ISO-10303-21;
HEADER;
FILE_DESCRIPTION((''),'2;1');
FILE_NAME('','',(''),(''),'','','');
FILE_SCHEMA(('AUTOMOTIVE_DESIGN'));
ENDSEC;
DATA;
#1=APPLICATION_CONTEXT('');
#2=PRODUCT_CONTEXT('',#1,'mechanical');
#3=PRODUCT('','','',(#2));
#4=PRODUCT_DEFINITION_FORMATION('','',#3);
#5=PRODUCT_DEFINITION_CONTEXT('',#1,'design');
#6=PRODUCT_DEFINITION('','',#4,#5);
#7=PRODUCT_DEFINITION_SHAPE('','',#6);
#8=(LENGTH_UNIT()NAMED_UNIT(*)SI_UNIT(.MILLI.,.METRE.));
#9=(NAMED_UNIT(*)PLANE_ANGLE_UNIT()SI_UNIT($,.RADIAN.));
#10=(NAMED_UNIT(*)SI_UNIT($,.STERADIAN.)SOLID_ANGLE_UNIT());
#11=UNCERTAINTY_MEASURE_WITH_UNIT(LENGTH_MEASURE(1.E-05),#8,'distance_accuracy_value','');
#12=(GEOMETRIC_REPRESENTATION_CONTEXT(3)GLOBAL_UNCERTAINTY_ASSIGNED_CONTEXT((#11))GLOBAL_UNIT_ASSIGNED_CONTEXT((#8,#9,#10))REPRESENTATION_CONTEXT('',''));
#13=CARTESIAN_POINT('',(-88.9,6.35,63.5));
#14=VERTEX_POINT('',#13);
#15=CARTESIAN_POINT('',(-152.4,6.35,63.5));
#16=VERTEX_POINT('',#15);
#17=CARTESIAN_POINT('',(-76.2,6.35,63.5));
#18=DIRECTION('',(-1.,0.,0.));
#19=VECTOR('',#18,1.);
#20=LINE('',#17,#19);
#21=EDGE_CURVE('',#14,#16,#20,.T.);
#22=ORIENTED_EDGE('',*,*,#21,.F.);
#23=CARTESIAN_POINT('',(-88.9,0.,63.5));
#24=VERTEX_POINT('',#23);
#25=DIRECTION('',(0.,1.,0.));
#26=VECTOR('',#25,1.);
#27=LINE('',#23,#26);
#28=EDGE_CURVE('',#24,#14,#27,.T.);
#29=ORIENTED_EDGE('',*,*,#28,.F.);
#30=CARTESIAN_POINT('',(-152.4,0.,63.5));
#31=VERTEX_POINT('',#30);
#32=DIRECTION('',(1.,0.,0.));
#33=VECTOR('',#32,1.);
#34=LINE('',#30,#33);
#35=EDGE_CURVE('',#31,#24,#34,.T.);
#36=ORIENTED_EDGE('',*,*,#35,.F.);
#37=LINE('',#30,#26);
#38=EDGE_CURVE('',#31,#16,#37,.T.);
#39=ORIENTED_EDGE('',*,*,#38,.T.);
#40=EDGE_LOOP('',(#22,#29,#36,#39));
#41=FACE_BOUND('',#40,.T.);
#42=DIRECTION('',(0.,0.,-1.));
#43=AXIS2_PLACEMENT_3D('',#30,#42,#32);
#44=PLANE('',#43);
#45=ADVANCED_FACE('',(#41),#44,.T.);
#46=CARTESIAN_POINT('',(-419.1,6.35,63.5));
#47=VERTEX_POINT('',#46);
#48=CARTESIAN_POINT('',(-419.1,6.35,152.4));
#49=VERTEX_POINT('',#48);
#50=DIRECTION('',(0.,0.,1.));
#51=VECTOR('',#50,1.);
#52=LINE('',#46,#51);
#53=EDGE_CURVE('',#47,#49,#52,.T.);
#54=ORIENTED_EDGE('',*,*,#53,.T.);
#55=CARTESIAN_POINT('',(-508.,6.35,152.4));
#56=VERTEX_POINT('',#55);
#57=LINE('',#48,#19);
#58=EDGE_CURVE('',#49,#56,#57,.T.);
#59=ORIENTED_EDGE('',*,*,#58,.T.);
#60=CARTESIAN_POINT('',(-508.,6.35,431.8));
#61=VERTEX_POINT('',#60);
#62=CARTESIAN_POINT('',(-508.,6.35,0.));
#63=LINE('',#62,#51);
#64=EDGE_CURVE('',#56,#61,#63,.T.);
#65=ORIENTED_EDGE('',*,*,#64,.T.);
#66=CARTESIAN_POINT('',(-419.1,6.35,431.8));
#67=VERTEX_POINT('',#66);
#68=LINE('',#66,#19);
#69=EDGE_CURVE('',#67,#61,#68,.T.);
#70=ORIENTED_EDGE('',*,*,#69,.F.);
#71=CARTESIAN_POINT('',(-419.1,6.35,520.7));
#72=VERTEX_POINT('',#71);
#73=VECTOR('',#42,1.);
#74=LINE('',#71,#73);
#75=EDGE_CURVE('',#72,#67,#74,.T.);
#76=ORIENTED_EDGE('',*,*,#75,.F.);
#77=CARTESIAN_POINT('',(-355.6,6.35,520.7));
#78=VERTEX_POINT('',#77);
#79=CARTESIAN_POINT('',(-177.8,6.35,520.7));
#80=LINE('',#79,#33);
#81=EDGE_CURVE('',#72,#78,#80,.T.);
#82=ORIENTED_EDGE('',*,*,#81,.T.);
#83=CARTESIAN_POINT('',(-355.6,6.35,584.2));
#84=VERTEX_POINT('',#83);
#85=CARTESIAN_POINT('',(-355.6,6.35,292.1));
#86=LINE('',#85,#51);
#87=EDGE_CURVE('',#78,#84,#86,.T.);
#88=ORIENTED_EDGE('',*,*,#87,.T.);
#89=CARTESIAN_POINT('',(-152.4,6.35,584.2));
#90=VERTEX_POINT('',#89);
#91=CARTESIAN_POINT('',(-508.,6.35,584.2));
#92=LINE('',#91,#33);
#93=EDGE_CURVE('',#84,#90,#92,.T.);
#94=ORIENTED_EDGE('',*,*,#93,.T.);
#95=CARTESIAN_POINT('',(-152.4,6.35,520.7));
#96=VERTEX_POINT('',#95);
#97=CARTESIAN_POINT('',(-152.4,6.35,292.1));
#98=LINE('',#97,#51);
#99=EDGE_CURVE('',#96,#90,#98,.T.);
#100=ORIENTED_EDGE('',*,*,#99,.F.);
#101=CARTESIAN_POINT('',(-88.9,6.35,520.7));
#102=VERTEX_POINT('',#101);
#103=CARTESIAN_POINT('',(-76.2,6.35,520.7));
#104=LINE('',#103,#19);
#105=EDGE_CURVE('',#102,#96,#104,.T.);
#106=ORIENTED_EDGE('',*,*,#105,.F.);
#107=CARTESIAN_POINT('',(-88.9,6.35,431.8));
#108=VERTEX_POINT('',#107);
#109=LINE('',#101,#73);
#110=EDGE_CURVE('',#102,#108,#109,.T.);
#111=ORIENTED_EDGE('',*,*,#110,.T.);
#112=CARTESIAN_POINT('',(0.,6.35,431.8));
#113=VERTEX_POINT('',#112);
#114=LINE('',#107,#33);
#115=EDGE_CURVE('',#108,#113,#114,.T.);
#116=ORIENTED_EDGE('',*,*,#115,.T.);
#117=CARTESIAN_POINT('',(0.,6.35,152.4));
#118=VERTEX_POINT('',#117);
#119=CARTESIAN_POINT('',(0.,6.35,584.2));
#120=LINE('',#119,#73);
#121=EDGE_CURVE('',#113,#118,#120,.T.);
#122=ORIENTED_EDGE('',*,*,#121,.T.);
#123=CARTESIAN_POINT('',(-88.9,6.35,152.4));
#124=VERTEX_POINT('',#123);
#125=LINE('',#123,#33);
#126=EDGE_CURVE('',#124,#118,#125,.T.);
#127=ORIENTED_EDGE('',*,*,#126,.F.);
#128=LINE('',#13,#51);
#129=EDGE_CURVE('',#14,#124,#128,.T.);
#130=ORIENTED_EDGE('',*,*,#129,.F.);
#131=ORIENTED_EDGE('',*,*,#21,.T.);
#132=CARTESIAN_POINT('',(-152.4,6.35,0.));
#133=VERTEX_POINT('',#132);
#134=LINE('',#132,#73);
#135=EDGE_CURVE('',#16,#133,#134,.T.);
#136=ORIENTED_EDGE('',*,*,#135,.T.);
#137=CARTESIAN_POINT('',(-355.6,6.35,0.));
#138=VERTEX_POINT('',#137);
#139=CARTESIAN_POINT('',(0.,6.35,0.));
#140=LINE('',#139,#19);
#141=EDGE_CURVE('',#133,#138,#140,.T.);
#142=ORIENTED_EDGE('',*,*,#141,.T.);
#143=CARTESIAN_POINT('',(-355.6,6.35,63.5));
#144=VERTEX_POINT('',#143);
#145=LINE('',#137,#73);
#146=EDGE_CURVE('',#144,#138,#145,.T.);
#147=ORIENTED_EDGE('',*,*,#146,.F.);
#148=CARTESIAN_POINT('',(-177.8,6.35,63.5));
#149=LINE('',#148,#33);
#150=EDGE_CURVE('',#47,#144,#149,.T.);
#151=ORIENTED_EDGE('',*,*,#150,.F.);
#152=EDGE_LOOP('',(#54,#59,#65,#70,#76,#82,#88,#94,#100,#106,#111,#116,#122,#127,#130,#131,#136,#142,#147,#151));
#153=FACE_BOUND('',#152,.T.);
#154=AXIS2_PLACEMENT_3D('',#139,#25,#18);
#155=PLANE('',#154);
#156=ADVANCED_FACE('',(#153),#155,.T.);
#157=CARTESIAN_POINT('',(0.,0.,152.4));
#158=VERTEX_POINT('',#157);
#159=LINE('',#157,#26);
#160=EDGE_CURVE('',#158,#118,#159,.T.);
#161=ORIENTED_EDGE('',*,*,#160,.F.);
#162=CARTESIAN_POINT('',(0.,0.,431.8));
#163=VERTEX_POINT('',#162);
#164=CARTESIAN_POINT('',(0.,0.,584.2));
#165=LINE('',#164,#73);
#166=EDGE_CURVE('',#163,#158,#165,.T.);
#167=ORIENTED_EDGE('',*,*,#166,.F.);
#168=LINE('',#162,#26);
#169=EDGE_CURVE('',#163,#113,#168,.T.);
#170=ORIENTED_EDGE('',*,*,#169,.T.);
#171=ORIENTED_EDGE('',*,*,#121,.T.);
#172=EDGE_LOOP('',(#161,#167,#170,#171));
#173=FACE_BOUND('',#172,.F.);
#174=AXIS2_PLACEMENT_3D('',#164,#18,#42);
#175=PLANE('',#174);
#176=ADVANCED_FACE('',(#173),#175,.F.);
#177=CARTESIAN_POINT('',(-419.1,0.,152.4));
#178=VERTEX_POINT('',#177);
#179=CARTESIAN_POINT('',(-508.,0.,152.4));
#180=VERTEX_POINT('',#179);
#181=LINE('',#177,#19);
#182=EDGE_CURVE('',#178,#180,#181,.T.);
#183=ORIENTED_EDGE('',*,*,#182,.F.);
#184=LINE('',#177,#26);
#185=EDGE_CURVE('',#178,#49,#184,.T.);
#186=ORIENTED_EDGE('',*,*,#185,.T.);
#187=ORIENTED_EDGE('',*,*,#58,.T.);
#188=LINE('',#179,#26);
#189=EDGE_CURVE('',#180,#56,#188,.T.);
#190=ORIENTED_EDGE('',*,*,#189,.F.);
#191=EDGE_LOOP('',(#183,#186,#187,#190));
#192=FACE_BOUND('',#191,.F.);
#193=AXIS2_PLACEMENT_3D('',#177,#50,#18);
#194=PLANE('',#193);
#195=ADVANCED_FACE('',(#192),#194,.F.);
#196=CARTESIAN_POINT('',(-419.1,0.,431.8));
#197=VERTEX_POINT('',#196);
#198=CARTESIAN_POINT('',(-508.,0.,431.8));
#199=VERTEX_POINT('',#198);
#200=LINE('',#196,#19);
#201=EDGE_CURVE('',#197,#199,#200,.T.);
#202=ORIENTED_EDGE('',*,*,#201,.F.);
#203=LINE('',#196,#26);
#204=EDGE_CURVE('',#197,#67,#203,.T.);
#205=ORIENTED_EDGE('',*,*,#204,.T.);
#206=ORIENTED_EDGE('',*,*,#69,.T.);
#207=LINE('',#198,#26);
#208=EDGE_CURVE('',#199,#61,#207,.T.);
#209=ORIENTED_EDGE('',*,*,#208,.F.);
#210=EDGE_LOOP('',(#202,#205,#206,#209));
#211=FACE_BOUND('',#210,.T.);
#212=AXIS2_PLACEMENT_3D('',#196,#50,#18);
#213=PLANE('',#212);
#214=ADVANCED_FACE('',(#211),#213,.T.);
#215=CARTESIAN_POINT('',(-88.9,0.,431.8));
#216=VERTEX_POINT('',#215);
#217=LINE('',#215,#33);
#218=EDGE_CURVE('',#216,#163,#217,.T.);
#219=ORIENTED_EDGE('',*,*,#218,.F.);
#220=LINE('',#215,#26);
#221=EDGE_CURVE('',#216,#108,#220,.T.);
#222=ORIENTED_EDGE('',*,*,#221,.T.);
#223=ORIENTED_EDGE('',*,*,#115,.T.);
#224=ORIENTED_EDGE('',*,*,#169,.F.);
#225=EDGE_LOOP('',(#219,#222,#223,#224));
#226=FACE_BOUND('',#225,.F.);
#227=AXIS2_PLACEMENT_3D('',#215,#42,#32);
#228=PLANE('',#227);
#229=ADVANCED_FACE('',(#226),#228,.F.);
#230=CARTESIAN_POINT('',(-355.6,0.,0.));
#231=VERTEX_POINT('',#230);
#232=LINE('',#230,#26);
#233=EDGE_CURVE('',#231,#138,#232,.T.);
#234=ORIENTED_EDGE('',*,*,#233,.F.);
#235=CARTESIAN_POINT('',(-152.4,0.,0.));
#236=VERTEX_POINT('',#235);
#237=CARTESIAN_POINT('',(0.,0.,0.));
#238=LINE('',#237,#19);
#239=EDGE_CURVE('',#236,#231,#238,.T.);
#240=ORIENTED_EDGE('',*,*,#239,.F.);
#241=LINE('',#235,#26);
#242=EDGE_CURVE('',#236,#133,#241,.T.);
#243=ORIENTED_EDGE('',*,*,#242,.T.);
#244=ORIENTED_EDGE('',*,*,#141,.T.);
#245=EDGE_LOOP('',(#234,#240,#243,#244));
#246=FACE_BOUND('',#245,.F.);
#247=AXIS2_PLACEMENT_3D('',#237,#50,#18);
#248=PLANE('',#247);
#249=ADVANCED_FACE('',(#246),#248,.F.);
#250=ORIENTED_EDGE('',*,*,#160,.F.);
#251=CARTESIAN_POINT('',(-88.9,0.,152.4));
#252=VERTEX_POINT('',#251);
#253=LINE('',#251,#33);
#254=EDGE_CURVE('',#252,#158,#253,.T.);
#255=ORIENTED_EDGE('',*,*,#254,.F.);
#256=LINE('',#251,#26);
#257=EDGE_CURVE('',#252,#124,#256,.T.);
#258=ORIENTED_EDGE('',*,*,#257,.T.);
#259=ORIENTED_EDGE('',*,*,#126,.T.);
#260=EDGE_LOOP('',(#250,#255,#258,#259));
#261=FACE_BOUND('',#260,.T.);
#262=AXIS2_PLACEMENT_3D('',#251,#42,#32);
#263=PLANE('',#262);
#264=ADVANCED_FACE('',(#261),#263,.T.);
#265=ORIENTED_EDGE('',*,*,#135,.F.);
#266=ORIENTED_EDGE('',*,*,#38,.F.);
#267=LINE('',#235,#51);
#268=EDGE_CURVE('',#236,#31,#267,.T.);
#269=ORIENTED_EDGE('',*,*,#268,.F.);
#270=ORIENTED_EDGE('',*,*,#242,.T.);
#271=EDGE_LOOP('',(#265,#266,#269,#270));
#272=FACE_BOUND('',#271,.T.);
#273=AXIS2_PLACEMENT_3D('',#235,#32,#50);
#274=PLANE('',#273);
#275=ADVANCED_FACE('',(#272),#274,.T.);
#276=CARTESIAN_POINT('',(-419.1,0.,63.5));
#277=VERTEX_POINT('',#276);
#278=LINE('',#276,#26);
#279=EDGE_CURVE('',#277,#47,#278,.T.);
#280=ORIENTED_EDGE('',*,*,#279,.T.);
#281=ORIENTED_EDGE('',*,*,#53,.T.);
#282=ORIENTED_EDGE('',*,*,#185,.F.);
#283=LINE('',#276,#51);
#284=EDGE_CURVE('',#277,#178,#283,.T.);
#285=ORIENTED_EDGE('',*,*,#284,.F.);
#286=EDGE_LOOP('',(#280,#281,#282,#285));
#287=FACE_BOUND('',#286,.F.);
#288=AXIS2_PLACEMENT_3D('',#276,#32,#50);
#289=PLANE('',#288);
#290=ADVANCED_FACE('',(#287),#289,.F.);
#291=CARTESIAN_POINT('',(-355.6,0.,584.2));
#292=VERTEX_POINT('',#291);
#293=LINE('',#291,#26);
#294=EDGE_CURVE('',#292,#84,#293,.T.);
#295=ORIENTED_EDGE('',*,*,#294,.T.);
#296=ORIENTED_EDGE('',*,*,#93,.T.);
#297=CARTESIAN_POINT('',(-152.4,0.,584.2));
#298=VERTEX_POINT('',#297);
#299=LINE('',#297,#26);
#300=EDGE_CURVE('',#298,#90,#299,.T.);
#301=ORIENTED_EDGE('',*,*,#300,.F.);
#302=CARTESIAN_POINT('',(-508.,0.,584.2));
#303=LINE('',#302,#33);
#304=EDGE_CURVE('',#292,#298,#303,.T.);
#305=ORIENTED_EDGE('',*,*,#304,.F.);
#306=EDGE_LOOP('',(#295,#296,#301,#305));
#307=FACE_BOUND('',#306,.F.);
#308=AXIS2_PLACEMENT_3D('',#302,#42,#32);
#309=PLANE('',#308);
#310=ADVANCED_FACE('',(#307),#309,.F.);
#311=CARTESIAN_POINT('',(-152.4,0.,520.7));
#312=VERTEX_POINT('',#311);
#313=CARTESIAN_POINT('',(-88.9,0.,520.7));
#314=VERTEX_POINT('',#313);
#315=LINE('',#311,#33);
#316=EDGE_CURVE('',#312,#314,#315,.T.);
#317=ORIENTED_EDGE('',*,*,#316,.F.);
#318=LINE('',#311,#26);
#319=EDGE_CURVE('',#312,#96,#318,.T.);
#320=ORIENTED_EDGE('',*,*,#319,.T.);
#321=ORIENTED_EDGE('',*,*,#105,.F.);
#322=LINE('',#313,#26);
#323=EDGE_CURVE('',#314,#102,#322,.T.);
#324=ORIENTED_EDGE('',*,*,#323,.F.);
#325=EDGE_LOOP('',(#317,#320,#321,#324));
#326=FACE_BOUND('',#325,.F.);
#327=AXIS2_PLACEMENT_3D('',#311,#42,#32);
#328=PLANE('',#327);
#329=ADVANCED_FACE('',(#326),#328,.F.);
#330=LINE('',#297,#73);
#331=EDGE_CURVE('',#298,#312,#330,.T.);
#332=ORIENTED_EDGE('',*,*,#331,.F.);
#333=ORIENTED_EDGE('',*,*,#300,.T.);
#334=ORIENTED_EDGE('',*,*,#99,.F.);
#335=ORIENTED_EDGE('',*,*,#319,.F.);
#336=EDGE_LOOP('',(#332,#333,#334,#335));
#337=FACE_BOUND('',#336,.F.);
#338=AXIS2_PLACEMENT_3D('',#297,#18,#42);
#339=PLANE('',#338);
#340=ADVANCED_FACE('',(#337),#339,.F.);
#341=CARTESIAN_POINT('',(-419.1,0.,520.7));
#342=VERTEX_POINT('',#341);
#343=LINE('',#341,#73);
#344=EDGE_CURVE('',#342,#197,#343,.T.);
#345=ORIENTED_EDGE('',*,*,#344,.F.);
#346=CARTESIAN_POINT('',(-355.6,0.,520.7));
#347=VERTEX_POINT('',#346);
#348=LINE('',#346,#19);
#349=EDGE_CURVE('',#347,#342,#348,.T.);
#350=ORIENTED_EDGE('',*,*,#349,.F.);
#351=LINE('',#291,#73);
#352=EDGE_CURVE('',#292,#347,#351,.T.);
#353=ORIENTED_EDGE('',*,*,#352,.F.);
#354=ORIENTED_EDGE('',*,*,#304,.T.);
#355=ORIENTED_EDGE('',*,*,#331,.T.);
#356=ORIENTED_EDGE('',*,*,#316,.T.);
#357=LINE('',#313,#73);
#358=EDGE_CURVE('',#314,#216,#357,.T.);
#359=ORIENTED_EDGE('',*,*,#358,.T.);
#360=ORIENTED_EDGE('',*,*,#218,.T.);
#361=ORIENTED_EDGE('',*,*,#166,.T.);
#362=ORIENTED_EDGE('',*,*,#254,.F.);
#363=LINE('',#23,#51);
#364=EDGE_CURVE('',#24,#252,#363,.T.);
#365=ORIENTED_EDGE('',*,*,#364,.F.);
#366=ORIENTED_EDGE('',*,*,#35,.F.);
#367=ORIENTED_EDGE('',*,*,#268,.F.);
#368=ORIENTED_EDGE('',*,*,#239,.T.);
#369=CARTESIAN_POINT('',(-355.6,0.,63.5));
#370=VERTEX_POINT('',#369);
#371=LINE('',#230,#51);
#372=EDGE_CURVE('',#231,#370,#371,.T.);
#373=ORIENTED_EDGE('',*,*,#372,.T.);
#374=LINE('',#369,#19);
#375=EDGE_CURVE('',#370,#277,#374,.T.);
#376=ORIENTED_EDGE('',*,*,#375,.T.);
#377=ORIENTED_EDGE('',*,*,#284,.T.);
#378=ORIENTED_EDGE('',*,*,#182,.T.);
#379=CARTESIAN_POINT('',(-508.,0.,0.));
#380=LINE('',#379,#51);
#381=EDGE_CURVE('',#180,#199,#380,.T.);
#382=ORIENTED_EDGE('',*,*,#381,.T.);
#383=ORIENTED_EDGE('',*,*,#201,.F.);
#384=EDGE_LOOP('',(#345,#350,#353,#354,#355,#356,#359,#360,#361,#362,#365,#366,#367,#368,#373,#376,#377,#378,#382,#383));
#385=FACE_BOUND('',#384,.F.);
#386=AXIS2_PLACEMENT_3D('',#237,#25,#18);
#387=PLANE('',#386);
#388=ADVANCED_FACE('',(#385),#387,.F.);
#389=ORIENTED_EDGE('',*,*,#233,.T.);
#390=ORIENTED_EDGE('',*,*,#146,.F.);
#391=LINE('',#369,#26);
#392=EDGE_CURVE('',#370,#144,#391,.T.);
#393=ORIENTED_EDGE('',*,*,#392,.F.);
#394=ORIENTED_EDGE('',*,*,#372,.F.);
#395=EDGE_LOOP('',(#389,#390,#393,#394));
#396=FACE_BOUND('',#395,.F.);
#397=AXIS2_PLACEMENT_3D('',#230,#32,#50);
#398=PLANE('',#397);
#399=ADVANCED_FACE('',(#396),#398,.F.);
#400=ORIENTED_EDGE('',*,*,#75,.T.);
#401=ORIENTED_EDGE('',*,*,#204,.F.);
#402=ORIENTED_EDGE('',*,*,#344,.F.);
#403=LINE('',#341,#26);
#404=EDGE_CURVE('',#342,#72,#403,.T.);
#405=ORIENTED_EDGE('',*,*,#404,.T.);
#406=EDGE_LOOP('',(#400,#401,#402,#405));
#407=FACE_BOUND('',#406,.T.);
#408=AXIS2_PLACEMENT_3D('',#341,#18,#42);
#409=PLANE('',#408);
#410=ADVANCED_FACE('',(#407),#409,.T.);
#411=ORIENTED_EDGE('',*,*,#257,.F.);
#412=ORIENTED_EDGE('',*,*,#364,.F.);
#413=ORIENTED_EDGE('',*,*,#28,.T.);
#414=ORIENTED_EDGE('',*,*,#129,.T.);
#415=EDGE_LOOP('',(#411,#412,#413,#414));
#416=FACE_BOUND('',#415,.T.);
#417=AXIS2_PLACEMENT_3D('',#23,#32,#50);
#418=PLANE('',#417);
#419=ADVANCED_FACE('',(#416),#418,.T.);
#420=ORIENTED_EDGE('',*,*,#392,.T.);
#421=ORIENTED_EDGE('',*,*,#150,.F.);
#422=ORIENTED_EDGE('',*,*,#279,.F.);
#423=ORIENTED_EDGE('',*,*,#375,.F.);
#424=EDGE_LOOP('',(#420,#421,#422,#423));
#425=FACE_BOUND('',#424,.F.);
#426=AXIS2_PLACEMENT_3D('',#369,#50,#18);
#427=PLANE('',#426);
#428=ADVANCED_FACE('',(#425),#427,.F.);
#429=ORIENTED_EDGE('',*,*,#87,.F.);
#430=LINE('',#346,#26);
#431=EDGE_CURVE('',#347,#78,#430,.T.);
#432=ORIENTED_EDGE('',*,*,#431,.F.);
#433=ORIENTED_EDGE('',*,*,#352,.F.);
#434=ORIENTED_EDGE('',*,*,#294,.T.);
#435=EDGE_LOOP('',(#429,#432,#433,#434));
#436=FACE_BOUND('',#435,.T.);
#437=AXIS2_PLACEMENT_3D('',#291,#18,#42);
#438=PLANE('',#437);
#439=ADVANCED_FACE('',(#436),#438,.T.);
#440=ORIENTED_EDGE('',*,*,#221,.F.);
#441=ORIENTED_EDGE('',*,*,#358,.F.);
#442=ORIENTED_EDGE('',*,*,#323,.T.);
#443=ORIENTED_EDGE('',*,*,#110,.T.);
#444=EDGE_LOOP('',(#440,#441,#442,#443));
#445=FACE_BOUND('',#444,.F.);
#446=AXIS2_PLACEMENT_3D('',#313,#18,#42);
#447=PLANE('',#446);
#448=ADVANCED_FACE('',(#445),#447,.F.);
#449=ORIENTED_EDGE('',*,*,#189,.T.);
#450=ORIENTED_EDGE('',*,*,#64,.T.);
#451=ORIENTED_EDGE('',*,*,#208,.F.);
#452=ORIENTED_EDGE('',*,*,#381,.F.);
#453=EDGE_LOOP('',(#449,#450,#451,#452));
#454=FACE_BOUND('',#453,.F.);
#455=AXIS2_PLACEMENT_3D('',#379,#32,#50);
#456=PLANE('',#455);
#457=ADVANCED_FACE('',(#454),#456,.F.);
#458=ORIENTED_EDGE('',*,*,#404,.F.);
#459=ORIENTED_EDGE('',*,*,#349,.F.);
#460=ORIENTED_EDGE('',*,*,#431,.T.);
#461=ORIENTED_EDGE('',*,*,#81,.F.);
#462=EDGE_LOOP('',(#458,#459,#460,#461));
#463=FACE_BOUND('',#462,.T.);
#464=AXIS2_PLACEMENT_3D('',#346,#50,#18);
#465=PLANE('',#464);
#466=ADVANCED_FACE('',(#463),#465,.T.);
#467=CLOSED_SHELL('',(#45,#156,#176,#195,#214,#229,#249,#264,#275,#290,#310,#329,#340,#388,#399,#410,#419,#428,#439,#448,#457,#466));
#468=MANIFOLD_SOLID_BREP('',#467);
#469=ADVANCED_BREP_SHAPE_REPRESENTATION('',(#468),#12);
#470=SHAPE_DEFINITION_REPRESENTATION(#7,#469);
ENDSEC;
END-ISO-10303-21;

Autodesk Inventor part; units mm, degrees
ref_plane "YZ Plane" through (0, 0, 0) normal (1, 0, 0) x (0, 1, 0)
ref_plane "XZ Plane" through (0, 0, 0) normal (0, 1, 0) x (-1, 0, 0)
ref_plane "XY Plane" through (0, 0, 0) normal (0, 0, 1) x (1, 0, 0)
sketch "Sketch1" plane through (0, 0, 0) normal (0, 1, 0) x (-1, 0, 0)
  line L0 (0, 0) -> (508, 0)
  line L1 (508, 0) -> (508, 584.2)
  line L2 (508, 584.2) -> (0, 584.2)
  line L3 (0, 584.2) -> (0, 0)
  dimension "d0" = 508
  dimension "d1" = 584.2
extrude "Extrusion1" add sketch "Sketch1" along normal blind 6.35
sketch "Sketch2" plane through (0, 0, 0) normal (0, -1, 0) x (1, 0, 0)
  line L0 (-508, 584.2) -> (-355.6, 584.2)
  line L1 (-355.6, 584.2) -> (-355.6, 520.7)
  line L2 (-355.6, 520.7) -> (-508, 520.7)
  line L3 (-508, 520.7) -> (-508, 584.2)
  line L4 (0, 584.2) -> (-152.4, 584.2)
  line L5 (-152.4, 584.2) -> (-152.4, 520.7)
  line L6 (-152.4, 520.7) -> (0, 520.7)
  line L7 (0, 520.7) -> (0, 584.2)
  line L8 (-508, 0) -> (-355.6, 0)
  line L9 (-355.6, 0) -> (-355.6, 63.5)
  line L10 (-355.6, 63.5) -> (-508, 63.5)
  line L11 (-508, 63.5) -> (-508, 0)
  line L12 (0, 0) -> (-152.4, 0)
  line L13 (-152.4, 0) -> (-152.4, 63.5)
  line L14 (-152.4, 63.5) -> (0, 63.5)
  line L15 (0, 63.5) -> (0, 0)
  dimension "d4" = 152.4
  dimension "d5" = 63.5
  dimension "d6" = 152.4
  dimension "d7" = 63.5
  dimension "d8" = 152.4
  dimension "d9" = 63.5
  dimension "d10" = 152.4
  dimension "d11" = 63.5
extrude "Extrusion2" cut sketch "Sketch2" against normal through all
sketch "Sketch5" plane through (0, 0, 0) normal (0, -1, 0) x (1, 0, 0)
  line L0 (-152.4, 63.5) -> (0, 63.5) projected
  line L1 (0, 520.7) -> (0, 63.5) projected
  line L2 (-508, 520.7) -> (-419.1, 520.7)
  line L3 (-419.1, 520.7) -> (-419.1, 431.8)
  line L4 (-419.1, 431.8) -> (-508, 431.8)
  line L5 (-508, 431.8) -> (-508, 520.7)
  line L6 (0, 520.7) -> (-88.9, 520.7)
  line L7 (-88.9, 520.7) -> (-88.9, 431.8)
  line L8 (-88.9, 431.8) -> (0, 431.8)
  line L9 (0, 431.8) -> (0, 520.7)
  line L10 (-508, 63.5) -> (-419.1, 63.5)
  line L11 (-419.1, 63.5) -> (-419.1, 152.4)
  line L12 (-419.1, 152.4) -> (-508, 152.4)
  line L13 (-508, 152.4) -> (-508, 63.5)
  line L14 (0, 63.5) -> (-88.9, 63.5)
  line L15 (-88.9, 63.5) -> (-88.9, 152.4)
  line L16 (-88.9, 152.4) -> (0, 152.4)
  line L17 (0, 152.4) -> (0, 63.5)
  point P0 (0, 0)
  dimension "d24" = 88.9
  dimension "d25" = 88.9
  dimension "d26" = 88.9
  dimension "d27" = 88.9
  dimension "d28" = 88.9
  dimension "d29" = 88.9
  dimension "d30" = 88.9
  dimension "d31" = 88.9
extrude "Extrusion4" cut sketch "Sketch5" against normal blind 6.35
properties part number "Belly Board" material "ABS Plastic"
